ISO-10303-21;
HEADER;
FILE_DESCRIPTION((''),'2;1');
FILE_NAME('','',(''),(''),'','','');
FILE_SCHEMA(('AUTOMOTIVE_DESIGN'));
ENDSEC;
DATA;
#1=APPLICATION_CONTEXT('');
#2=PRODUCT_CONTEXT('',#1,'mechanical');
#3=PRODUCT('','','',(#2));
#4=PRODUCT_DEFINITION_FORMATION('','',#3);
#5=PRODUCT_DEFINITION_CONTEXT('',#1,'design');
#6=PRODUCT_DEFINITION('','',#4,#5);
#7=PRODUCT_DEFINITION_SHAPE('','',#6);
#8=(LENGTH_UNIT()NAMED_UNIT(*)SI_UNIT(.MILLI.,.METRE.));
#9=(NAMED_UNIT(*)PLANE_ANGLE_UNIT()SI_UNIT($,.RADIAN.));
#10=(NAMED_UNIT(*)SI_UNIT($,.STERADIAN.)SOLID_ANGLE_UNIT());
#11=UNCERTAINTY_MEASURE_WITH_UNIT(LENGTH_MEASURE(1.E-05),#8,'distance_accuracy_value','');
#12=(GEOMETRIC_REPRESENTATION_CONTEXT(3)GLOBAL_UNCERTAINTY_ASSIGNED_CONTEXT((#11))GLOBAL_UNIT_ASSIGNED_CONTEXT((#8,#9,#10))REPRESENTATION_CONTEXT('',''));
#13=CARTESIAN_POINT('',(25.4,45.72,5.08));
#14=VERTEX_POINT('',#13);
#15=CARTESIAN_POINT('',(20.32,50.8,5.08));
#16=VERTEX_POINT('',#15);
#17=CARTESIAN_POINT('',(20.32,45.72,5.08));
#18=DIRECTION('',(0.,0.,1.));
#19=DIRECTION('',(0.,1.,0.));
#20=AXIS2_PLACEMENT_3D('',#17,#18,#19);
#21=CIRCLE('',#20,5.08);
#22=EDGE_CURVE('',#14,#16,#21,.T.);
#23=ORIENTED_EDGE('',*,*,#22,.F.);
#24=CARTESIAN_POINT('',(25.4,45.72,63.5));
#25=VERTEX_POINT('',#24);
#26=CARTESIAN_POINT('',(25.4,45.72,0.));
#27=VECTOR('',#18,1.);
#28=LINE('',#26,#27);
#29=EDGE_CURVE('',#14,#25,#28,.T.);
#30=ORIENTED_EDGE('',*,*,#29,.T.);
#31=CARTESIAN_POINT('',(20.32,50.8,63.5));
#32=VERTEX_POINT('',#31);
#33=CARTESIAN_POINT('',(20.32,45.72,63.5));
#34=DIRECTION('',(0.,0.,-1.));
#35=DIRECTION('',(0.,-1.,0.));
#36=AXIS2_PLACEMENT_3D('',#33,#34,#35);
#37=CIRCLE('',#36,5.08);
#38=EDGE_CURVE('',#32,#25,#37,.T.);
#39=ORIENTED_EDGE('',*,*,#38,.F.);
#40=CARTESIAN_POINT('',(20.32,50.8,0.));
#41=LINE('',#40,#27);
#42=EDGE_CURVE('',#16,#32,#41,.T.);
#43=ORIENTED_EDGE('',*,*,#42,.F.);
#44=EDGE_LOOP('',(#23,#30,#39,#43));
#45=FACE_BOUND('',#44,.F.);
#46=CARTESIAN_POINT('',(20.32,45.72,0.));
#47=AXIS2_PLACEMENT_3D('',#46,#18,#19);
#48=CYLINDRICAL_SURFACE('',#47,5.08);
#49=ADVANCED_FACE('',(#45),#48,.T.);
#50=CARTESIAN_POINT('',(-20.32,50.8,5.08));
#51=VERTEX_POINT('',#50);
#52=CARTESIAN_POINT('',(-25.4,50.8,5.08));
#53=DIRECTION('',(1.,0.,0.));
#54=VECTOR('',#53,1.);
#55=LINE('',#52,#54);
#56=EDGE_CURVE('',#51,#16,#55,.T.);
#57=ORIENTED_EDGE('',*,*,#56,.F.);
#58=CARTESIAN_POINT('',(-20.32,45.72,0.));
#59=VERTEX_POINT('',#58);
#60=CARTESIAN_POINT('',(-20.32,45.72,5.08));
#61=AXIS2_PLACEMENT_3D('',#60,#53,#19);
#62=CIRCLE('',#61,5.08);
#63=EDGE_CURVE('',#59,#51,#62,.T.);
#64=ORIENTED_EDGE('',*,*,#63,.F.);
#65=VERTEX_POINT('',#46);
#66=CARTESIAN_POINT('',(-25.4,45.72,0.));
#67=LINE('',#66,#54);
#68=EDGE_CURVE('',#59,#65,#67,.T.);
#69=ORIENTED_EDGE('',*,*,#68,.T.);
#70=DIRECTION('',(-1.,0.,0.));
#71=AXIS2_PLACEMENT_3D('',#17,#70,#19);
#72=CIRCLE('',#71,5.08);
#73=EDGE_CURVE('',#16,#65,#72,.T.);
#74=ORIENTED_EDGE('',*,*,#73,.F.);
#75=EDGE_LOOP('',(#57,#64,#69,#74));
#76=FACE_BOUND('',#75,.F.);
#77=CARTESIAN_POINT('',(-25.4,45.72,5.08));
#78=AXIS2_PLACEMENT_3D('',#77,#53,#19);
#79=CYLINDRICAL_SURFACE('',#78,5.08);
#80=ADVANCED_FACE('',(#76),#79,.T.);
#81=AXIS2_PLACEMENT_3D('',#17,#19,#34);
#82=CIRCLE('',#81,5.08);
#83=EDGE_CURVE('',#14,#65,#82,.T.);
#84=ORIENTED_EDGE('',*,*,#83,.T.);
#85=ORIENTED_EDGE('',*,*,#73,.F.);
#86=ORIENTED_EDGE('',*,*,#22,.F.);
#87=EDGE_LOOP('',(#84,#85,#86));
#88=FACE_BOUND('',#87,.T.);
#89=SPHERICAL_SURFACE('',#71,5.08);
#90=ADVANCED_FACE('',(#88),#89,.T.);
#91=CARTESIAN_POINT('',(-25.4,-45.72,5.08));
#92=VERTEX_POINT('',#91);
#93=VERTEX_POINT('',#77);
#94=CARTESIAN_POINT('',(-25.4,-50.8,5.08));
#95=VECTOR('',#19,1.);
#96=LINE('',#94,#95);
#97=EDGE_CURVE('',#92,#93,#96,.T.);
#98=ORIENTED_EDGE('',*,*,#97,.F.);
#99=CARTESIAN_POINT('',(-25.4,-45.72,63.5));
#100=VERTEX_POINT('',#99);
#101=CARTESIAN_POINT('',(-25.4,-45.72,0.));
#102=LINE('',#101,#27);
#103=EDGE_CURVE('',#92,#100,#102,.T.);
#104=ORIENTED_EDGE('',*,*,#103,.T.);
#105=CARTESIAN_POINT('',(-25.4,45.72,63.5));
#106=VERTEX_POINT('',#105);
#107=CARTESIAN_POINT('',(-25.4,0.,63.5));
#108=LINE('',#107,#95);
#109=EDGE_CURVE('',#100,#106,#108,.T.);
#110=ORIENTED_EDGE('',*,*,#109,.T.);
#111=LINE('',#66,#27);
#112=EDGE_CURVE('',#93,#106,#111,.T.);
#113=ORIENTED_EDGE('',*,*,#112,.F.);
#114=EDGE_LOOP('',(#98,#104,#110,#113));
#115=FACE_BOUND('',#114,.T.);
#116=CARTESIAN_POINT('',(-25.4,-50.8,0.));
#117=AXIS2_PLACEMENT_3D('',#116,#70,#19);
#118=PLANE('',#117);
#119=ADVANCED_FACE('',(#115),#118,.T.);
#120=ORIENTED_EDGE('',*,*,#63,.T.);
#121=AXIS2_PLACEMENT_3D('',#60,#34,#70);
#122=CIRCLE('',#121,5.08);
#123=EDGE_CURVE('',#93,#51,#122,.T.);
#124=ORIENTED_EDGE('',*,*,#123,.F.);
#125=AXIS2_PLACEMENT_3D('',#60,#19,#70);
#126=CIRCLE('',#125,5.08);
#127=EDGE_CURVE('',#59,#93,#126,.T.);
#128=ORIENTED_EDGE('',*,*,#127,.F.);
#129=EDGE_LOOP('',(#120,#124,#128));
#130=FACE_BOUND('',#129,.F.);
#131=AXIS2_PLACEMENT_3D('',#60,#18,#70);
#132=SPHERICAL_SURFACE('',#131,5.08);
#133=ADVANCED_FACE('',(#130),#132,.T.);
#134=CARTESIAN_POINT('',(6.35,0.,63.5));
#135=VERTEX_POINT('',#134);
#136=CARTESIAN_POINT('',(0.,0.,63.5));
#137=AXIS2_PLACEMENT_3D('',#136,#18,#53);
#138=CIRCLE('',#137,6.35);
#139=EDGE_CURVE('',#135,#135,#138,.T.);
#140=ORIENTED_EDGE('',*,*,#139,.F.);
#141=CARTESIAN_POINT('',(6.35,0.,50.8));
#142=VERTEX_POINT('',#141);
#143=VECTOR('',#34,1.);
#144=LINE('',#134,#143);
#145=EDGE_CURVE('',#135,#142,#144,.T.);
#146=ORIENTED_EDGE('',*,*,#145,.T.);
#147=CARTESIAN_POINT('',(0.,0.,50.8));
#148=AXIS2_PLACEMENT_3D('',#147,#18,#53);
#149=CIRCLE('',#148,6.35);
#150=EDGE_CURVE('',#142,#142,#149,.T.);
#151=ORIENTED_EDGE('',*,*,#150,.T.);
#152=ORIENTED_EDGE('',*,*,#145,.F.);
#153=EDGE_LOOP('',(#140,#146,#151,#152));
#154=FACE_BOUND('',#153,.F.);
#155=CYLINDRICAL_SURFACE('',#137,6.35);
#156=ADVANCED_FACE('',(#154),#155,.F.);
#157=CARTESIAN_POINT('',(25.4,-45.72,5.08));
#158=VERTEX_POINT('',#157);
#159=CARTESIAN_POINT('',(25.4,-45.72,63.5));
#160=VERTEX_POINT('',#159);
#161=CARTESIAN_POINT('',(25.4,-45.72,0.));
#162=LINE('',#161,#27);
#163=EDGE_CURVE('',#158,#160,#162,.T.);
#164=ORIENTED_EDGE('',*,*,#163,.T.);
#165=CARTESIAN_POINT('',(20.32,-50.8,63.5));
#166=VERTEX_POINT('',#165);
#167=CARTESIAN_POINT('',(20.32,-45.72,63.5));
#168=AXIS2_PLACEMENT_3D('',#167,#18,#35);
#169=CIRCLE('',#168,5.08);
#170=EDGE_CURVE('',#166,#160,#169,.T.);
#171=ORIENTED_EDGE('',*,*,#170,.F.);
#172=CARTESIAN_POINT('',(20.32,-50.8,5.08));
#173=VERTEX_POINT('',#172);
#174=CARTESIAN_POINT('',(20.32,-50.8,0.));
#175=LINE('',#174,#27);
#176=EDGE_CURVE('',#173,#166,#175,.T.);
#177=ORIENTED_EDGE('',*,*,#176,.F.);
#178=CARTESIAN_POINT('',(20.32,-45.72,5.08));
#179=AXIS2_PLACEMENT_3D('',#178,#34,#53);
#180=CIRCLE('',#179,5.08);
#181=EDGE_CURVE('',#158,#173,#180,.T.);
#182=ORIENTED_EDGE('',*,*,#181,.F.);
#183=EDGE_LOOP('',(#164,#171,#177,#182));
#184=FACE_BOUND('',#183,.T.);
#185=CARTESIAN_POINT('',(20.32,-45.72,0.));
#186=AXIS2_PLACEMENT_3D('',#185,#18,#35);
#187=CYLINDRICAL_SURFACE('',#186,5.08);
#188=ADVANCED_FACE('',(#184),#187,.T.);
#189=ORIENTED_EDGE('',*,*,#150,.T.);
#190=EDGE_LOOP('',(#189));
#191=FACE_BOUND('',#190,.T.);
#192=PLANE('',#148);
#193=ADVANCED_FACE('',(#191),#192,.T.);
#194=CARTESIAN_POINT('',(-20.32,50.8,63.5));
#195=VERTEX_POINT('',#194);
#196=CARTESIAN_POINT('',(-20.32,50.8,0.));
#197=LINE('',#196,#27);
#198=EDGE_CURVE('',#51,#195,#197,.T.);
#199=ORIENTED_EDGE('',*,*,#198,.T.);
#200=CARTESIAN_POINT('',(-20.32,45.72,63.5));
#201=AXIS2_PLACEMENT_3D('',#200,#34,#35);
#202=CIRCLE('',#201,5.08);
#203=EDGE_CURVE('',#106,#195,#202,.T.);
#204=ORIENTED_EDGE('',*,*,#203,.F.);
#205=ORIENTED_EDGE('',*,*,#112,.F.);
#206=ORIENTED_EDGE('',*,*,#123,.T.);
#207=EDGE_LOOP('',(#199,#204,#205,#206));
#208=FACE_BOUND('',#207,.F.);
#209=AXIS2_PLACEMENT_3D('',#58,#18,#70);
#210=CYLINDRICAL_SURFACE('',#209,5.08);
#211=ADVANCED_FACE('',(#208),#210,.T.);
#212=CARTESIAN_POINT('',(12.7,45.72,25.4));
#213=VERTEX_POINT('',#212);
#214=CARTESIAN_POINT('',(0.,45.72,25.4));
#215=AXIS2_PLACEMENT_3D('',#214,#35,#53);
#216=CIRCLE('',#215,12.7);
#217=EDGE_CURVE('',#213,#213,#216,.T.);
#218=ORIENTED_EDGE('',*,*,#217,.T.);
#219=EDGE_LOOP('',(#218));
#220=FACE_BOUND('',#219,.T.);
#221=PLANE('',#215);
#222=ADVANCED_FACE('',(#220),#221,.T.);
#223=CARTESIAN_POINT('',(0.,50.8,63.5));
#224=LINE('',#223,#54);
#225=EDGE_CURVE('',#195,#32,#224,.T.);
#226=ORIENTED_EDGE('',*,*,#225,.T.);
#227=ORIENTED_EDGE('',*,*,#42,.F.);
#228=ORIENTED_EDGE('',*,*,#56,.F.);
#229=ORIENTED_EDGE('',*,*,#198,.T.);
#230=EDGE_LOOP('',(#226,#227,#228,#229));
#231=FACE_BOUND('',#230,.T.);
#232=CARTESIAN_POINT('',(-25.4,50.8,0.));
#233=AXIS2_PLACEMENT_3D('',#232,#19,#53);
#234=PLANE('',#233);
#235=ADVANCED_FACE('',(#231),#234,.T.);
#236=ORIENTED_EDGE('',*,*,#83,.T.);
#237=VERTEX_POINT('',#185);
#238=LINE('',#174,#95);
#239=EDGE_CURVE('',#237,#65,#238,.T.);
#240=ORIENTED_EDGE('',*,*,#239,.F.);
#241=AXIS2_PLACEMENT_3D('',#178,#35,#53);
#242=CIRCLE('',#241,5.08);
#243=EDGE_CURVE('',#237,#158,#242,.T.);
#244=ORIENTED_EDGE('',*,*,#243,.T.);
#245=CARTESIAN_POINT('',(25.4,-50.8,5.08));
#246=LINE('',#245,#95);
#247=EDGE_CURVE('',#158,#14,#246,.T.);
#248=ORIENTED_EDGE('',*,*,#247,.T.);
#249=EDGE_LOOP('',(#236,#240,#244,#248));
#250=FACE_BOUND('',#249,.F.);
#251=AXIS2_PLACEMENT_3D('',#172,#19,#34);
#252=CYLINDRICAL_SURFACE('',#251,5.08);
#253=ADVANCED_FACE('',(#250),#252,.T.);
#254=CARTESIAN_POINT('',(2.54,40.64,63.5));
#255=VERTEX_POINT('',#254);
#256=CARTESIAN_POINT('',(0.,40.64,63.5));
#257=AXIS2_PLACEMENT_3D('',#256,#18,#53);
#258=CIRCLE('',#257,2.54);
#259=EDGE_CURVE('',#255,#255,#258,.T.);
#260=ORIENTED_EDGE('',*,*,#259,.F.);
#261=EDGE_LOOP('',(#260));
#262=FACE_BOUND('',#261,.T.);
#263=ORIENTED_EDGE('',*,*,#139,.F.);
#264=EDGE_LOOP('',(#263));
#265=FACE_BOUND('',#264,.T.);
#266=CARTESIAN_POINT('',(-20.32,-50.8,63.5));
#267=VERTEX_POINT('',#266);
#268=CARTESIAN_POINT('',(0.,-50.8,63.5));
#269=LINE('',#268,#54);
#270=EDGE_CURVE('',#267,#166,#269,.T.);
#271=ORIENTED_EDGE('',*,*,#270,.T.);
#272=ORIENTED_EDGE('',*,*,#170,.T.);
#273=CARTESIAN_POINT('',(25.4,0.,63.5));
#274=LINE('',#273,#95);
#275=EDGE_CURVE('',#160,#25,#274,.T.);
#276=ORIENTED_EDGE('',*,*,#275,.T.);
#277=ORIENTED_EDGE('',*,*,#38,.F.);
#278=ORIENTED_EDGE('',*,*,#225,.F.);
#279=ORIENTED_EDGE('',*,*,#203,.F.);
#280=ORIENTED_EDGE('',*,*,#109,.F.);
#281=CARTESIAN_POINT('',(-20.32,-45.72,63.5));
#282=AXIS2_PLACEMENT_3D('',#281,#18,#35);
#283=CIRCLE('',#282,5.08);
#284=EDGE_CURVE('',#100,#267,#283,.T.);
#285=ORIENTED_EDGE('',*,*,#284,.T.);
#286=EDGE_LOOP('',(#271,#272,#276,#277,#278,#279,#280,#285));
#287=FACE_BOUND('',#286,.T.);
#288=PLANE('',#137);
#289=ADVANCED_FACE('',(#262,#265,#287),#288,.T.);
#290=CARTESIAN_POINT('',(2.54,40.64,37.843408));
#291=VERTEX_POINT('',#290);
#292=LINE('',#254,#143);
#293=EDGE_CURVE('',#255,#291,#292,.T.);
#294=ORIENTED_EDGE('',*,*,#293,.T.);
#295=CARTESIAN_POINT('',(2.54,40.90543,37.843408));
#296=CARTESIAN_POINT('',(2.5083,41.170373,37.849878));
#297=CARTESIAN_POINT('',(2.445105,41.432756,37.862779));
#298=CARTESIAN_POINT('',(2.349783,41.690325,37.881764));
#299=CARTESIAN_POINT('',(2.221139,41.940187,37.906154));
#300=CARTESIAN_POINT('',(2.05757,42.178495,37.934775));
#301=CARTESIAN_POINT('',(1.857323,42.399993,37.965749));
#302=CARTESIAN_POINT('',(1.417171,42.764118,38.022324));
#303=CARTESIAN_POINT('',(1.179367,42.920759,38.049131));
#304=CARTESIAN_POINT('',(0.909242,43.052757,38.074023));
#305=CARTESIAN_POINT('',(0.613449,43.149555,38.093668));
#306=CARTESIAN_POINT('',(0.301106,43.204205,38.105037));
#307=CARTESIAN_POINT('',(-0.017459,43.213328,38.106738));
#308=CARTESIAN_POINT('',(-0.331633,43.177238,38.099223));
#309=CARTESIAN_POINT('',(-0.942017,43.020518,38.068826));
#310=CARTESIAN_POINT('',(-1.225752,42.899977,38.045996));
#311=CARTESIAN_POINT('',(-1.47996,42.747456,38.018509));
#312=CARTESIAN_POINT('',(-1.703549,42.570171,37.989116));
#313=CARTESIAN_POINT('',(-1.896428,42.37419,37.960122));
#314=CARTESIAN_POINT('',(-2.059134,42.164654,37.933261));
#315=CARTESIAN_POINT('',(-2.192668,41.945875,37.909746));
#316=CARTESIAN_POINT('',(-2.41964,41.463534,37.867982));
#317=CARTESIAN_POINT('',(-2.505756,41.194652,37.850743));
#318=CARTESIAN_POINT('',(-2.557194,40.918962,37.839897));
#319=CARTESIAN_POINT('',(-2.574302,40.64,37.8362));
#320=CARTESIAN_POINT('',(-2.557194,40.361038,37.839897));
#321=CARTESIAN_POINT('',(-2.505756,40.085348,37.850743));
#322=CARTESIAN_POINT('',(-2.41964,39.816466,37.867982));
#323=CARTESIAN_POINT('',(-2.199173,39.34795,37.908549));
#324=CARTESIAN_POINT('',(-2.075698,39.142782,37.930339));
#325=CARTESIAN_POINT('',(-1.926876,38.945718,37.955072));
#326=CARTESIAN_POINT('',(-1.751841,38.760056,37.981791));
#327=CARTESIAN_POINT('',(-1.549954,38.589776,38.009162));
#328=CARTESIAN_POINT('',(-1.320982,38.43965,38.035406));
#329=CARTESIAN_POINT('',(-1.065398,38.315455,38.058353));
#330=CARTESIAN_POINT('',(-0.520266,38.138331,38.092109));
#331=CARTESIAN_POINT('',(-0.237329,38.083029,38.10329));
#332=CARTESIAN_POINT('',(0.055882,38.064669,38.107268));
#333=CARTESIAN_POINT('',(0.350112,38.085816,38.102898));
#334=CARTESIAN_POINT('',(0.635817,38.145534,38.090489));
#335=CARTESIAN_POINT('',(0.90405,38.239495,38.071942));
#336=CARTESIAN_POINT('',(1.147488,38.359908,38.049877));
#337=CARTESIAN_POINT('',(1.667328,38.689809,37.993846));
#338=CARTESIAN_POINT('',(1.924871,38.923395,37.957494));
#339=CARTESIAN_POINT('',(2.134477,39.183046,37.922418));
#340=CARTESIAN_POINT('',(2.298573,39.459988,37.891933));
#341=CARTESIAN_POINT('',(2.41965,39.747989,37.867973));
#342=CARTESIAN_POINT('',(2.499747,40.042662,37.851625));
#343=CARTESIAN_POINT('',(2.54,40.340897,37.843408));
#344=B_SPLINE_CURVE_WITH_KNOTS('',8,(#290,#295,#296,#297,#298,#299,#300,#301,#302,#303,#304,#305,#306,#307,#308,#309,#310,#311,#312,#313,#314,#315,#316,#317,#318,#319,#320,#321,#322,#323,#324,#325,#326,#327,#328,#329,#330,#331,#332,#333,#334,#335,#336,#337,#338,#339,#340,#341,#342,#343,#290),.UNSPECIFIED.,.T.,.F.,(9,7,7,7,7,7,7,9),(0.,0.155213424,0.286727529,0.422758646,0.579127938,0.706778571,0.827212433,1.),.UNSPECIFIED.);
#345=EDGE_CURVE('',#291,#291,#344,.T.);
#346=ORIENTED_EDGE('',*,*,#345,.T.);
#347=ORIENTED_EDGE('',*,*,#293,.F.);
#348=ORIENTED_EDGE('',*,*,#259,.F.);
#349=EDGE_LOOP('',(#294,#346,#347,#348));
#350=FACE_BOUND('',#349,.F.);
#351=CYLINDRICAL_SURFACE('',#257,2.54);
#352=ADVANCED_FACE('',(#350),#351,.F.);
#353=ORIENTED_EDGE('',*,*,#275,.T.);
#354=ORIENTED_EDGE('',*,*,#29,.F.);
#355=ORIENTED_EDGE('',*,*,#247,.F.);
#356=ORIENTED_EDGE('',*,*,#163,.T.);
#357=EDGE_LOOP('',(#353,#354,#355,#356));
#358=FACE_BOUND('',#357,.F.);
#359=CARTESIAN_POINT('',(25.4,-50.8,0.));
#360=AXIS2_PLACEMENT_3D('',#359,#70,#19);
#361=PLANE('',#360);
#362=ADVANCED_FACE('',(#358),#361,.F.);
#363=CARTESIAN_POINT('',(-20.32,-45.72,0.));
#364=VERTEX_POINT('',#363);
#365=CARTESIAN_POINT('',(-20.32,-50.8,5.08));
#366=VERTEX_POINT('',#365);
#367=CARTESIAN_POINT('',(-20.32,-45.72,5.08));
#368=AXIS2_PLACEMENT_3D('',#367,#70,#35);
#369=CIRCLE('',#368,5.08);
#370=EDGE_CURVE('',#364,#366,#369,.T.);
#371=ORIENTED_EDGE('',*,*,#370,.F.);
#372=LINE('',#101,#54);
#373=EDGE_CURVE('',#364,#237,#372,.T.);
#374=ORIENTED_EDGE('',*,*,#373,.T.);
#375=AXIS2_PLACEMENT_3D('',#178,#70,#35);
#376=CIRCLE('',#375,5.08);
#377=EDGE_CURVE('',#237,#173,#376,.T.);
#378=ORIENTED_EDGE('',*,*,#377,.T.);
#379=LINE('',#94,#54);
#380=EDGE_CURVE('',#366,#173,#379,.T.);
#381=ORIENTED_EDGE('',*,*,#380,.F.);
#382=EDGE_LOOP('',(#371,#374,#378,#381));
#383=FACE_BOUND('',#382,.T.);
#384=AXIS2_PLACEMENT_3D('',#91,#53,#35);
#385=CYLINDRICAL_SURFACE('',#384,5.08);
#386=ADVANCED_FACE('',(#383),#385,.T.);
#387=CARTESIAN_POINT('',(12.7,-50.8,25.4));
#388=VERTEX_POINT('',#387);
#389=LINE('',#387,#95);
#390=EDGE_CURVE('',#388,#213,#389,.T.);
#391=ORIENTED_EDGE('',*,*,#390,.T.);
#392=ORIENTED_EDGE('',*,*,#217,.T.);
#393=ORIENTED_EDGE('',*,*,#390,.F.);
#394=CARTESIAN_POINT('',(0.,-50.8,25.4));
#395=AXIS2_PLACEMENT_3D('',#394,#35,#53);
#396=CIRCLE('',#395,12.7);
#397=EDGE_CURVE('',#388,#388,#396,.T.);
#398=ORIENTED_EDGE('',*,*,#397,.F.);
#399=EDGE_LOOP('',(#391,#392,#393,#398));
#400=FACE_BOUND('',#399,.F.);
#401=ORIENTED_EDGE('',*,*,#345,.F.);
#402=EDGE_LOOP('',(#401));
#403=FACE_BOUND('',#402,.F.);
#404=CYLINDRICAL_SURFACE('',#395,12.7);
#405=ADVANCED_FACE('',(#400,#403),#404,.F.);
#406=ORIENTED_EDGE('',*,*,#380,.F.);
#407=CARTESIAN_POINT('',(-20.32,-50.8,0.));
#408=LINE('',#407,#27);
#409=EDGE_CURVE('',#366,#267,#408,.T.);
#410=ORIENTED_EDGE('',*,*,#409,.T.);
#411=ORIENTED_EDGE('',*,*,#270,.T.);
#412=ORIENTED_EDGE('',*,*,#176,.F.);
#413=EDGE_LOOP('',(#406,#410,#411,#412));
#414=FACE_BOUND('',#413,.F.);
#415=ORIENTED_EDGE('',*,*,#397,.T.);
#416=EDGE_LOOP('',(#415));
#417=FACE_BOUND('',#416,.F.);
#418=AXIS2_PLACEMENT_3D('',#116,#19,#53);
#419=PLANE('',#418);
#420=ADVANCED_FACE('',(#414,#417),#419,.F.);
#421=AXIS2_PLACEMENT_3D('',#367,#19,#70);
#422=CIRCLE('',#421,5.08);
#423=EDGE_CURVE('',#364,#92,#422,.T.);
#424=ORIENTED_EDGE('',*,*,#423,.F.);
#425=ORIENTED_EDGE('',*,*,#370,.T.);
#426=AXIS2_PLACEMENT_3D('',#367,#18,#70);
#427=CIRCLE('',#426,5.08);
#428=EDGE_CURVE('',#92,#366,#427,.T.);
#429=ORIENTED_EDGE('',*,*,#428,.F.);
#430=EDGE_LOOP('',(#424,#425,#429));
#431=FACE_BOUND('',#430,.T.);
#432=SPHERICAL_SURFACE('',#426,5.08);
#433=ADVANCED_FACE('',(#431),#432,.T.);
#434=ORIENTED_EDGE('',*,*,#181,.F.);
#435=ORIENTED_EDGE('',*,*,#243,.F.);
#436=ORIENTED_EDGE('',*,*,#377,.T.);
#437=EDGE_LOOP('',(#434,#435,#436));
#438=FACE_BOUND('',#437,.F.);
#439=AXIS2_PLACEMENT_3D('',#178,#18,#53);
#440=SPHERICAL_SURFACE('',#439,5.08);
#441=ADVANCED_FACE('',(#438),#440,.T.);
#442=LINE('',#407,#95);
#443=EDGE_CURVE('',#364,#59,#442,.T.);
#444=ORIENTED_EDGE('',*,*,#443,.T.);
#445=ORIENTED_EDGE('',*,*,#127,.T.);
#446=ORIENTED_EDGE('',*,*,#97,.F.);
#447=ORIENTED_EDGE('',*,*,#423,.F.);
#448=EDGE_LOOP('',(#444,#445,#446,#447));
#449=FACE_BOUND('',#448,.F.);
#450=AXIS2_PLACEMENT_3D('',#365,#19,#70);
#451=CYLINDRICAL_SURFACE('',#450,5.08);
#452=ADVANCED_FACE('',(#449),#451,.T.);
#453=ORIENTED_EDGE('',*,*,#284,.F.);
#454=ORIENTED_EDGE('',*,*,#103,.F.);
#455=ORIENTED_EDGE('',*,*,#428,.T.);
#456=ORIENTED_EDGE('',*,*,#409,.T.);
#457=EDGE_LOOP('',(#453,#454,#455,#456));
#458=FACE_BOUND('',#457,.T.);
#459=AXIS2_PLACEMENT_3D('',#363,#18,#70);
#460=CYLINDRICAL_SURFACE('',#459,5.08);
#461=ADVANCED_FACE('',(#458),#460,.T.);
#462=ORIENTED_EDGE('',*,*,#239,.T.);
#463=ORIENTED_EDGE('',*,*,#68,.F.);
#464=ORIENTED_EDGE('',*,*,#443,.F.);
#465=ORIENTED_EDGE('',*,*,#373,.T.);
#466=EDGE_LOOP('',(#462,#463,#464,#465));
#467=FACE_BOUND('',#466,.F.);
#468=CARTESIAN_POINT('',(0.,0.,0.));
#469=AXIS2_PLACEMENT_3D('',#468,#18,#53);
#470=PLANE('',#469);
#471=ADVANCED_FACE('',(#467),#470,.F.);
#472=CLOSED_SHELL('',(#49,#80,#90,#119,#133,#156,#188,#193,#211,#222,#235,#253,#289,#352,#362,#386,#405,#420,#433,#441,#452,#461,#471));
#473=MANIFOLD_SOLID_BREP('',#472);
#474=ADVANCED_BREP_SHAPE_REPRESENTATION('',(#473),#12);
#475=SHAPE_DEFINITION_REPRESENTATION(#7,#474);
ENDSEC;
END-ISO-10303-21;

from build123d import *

# Parameters (mm, degrees)
F0_W     = 50.8
F0_H     = 101.6
F1_DEPTH = 63.5
F2_R     = 12.7
F3_DEPTH = 96.52
F4_R     = 2.54
F5_DEPTH = 36.322
F6_R     = 6.35
F7_DEPTH = 12.7
F8_R     = 5.08


with BuildPart() as f1:
    # F0 (on Top) → F1 (new body)
    with BuildSketch(Plane.XY):
        Rectangle(F0_W, F0_H)
    extrude(amount=F1_DEPTH)

    # F2 (on face) → F3 (cut)
    with BuildSketch(Plane.XZ.offset(50.8)):
        with Locations((0, 25.4)):
            Circle(F2_R)
    extrude(amount=-F3_DEPTH, mode=Mode.SUBTRACT)

    # F4 (on face) → F5 (cut)
    with BuildSketch(Plane.XY.offset(63.5)):
        with Locations((0, 40.64)):
            Circle(F4_R)
    extrude(amount=-F5_DEPTH, mode=Mode.SUBTRACT)

    # F6 (on face) → F7 (cut)
    with BuildSketch(Plane.XY.offset(63.5)):
        Circle(F6_R)
    extrude(amount=-F7_DEPTH, mode=Mode.SUBTRACT)

    # F8
    f8_edges = [f1.edges().sort_by_distance(p)[0] for p in [
        (25.4, -50.8, 31.75),
        (-25.4, -50.8, 31.75),
        (-25.4, 50.8, 31.75),
        (-25.4, 0, 0),
        (0, 50.8, 0),
        (25.4, 50.8, 31.75),
        (25.4, 0, 0),
        (0, -50.8, 0),
    ]]
    fillet(f8_edges, radius=F8_R)


solid = f1.part
